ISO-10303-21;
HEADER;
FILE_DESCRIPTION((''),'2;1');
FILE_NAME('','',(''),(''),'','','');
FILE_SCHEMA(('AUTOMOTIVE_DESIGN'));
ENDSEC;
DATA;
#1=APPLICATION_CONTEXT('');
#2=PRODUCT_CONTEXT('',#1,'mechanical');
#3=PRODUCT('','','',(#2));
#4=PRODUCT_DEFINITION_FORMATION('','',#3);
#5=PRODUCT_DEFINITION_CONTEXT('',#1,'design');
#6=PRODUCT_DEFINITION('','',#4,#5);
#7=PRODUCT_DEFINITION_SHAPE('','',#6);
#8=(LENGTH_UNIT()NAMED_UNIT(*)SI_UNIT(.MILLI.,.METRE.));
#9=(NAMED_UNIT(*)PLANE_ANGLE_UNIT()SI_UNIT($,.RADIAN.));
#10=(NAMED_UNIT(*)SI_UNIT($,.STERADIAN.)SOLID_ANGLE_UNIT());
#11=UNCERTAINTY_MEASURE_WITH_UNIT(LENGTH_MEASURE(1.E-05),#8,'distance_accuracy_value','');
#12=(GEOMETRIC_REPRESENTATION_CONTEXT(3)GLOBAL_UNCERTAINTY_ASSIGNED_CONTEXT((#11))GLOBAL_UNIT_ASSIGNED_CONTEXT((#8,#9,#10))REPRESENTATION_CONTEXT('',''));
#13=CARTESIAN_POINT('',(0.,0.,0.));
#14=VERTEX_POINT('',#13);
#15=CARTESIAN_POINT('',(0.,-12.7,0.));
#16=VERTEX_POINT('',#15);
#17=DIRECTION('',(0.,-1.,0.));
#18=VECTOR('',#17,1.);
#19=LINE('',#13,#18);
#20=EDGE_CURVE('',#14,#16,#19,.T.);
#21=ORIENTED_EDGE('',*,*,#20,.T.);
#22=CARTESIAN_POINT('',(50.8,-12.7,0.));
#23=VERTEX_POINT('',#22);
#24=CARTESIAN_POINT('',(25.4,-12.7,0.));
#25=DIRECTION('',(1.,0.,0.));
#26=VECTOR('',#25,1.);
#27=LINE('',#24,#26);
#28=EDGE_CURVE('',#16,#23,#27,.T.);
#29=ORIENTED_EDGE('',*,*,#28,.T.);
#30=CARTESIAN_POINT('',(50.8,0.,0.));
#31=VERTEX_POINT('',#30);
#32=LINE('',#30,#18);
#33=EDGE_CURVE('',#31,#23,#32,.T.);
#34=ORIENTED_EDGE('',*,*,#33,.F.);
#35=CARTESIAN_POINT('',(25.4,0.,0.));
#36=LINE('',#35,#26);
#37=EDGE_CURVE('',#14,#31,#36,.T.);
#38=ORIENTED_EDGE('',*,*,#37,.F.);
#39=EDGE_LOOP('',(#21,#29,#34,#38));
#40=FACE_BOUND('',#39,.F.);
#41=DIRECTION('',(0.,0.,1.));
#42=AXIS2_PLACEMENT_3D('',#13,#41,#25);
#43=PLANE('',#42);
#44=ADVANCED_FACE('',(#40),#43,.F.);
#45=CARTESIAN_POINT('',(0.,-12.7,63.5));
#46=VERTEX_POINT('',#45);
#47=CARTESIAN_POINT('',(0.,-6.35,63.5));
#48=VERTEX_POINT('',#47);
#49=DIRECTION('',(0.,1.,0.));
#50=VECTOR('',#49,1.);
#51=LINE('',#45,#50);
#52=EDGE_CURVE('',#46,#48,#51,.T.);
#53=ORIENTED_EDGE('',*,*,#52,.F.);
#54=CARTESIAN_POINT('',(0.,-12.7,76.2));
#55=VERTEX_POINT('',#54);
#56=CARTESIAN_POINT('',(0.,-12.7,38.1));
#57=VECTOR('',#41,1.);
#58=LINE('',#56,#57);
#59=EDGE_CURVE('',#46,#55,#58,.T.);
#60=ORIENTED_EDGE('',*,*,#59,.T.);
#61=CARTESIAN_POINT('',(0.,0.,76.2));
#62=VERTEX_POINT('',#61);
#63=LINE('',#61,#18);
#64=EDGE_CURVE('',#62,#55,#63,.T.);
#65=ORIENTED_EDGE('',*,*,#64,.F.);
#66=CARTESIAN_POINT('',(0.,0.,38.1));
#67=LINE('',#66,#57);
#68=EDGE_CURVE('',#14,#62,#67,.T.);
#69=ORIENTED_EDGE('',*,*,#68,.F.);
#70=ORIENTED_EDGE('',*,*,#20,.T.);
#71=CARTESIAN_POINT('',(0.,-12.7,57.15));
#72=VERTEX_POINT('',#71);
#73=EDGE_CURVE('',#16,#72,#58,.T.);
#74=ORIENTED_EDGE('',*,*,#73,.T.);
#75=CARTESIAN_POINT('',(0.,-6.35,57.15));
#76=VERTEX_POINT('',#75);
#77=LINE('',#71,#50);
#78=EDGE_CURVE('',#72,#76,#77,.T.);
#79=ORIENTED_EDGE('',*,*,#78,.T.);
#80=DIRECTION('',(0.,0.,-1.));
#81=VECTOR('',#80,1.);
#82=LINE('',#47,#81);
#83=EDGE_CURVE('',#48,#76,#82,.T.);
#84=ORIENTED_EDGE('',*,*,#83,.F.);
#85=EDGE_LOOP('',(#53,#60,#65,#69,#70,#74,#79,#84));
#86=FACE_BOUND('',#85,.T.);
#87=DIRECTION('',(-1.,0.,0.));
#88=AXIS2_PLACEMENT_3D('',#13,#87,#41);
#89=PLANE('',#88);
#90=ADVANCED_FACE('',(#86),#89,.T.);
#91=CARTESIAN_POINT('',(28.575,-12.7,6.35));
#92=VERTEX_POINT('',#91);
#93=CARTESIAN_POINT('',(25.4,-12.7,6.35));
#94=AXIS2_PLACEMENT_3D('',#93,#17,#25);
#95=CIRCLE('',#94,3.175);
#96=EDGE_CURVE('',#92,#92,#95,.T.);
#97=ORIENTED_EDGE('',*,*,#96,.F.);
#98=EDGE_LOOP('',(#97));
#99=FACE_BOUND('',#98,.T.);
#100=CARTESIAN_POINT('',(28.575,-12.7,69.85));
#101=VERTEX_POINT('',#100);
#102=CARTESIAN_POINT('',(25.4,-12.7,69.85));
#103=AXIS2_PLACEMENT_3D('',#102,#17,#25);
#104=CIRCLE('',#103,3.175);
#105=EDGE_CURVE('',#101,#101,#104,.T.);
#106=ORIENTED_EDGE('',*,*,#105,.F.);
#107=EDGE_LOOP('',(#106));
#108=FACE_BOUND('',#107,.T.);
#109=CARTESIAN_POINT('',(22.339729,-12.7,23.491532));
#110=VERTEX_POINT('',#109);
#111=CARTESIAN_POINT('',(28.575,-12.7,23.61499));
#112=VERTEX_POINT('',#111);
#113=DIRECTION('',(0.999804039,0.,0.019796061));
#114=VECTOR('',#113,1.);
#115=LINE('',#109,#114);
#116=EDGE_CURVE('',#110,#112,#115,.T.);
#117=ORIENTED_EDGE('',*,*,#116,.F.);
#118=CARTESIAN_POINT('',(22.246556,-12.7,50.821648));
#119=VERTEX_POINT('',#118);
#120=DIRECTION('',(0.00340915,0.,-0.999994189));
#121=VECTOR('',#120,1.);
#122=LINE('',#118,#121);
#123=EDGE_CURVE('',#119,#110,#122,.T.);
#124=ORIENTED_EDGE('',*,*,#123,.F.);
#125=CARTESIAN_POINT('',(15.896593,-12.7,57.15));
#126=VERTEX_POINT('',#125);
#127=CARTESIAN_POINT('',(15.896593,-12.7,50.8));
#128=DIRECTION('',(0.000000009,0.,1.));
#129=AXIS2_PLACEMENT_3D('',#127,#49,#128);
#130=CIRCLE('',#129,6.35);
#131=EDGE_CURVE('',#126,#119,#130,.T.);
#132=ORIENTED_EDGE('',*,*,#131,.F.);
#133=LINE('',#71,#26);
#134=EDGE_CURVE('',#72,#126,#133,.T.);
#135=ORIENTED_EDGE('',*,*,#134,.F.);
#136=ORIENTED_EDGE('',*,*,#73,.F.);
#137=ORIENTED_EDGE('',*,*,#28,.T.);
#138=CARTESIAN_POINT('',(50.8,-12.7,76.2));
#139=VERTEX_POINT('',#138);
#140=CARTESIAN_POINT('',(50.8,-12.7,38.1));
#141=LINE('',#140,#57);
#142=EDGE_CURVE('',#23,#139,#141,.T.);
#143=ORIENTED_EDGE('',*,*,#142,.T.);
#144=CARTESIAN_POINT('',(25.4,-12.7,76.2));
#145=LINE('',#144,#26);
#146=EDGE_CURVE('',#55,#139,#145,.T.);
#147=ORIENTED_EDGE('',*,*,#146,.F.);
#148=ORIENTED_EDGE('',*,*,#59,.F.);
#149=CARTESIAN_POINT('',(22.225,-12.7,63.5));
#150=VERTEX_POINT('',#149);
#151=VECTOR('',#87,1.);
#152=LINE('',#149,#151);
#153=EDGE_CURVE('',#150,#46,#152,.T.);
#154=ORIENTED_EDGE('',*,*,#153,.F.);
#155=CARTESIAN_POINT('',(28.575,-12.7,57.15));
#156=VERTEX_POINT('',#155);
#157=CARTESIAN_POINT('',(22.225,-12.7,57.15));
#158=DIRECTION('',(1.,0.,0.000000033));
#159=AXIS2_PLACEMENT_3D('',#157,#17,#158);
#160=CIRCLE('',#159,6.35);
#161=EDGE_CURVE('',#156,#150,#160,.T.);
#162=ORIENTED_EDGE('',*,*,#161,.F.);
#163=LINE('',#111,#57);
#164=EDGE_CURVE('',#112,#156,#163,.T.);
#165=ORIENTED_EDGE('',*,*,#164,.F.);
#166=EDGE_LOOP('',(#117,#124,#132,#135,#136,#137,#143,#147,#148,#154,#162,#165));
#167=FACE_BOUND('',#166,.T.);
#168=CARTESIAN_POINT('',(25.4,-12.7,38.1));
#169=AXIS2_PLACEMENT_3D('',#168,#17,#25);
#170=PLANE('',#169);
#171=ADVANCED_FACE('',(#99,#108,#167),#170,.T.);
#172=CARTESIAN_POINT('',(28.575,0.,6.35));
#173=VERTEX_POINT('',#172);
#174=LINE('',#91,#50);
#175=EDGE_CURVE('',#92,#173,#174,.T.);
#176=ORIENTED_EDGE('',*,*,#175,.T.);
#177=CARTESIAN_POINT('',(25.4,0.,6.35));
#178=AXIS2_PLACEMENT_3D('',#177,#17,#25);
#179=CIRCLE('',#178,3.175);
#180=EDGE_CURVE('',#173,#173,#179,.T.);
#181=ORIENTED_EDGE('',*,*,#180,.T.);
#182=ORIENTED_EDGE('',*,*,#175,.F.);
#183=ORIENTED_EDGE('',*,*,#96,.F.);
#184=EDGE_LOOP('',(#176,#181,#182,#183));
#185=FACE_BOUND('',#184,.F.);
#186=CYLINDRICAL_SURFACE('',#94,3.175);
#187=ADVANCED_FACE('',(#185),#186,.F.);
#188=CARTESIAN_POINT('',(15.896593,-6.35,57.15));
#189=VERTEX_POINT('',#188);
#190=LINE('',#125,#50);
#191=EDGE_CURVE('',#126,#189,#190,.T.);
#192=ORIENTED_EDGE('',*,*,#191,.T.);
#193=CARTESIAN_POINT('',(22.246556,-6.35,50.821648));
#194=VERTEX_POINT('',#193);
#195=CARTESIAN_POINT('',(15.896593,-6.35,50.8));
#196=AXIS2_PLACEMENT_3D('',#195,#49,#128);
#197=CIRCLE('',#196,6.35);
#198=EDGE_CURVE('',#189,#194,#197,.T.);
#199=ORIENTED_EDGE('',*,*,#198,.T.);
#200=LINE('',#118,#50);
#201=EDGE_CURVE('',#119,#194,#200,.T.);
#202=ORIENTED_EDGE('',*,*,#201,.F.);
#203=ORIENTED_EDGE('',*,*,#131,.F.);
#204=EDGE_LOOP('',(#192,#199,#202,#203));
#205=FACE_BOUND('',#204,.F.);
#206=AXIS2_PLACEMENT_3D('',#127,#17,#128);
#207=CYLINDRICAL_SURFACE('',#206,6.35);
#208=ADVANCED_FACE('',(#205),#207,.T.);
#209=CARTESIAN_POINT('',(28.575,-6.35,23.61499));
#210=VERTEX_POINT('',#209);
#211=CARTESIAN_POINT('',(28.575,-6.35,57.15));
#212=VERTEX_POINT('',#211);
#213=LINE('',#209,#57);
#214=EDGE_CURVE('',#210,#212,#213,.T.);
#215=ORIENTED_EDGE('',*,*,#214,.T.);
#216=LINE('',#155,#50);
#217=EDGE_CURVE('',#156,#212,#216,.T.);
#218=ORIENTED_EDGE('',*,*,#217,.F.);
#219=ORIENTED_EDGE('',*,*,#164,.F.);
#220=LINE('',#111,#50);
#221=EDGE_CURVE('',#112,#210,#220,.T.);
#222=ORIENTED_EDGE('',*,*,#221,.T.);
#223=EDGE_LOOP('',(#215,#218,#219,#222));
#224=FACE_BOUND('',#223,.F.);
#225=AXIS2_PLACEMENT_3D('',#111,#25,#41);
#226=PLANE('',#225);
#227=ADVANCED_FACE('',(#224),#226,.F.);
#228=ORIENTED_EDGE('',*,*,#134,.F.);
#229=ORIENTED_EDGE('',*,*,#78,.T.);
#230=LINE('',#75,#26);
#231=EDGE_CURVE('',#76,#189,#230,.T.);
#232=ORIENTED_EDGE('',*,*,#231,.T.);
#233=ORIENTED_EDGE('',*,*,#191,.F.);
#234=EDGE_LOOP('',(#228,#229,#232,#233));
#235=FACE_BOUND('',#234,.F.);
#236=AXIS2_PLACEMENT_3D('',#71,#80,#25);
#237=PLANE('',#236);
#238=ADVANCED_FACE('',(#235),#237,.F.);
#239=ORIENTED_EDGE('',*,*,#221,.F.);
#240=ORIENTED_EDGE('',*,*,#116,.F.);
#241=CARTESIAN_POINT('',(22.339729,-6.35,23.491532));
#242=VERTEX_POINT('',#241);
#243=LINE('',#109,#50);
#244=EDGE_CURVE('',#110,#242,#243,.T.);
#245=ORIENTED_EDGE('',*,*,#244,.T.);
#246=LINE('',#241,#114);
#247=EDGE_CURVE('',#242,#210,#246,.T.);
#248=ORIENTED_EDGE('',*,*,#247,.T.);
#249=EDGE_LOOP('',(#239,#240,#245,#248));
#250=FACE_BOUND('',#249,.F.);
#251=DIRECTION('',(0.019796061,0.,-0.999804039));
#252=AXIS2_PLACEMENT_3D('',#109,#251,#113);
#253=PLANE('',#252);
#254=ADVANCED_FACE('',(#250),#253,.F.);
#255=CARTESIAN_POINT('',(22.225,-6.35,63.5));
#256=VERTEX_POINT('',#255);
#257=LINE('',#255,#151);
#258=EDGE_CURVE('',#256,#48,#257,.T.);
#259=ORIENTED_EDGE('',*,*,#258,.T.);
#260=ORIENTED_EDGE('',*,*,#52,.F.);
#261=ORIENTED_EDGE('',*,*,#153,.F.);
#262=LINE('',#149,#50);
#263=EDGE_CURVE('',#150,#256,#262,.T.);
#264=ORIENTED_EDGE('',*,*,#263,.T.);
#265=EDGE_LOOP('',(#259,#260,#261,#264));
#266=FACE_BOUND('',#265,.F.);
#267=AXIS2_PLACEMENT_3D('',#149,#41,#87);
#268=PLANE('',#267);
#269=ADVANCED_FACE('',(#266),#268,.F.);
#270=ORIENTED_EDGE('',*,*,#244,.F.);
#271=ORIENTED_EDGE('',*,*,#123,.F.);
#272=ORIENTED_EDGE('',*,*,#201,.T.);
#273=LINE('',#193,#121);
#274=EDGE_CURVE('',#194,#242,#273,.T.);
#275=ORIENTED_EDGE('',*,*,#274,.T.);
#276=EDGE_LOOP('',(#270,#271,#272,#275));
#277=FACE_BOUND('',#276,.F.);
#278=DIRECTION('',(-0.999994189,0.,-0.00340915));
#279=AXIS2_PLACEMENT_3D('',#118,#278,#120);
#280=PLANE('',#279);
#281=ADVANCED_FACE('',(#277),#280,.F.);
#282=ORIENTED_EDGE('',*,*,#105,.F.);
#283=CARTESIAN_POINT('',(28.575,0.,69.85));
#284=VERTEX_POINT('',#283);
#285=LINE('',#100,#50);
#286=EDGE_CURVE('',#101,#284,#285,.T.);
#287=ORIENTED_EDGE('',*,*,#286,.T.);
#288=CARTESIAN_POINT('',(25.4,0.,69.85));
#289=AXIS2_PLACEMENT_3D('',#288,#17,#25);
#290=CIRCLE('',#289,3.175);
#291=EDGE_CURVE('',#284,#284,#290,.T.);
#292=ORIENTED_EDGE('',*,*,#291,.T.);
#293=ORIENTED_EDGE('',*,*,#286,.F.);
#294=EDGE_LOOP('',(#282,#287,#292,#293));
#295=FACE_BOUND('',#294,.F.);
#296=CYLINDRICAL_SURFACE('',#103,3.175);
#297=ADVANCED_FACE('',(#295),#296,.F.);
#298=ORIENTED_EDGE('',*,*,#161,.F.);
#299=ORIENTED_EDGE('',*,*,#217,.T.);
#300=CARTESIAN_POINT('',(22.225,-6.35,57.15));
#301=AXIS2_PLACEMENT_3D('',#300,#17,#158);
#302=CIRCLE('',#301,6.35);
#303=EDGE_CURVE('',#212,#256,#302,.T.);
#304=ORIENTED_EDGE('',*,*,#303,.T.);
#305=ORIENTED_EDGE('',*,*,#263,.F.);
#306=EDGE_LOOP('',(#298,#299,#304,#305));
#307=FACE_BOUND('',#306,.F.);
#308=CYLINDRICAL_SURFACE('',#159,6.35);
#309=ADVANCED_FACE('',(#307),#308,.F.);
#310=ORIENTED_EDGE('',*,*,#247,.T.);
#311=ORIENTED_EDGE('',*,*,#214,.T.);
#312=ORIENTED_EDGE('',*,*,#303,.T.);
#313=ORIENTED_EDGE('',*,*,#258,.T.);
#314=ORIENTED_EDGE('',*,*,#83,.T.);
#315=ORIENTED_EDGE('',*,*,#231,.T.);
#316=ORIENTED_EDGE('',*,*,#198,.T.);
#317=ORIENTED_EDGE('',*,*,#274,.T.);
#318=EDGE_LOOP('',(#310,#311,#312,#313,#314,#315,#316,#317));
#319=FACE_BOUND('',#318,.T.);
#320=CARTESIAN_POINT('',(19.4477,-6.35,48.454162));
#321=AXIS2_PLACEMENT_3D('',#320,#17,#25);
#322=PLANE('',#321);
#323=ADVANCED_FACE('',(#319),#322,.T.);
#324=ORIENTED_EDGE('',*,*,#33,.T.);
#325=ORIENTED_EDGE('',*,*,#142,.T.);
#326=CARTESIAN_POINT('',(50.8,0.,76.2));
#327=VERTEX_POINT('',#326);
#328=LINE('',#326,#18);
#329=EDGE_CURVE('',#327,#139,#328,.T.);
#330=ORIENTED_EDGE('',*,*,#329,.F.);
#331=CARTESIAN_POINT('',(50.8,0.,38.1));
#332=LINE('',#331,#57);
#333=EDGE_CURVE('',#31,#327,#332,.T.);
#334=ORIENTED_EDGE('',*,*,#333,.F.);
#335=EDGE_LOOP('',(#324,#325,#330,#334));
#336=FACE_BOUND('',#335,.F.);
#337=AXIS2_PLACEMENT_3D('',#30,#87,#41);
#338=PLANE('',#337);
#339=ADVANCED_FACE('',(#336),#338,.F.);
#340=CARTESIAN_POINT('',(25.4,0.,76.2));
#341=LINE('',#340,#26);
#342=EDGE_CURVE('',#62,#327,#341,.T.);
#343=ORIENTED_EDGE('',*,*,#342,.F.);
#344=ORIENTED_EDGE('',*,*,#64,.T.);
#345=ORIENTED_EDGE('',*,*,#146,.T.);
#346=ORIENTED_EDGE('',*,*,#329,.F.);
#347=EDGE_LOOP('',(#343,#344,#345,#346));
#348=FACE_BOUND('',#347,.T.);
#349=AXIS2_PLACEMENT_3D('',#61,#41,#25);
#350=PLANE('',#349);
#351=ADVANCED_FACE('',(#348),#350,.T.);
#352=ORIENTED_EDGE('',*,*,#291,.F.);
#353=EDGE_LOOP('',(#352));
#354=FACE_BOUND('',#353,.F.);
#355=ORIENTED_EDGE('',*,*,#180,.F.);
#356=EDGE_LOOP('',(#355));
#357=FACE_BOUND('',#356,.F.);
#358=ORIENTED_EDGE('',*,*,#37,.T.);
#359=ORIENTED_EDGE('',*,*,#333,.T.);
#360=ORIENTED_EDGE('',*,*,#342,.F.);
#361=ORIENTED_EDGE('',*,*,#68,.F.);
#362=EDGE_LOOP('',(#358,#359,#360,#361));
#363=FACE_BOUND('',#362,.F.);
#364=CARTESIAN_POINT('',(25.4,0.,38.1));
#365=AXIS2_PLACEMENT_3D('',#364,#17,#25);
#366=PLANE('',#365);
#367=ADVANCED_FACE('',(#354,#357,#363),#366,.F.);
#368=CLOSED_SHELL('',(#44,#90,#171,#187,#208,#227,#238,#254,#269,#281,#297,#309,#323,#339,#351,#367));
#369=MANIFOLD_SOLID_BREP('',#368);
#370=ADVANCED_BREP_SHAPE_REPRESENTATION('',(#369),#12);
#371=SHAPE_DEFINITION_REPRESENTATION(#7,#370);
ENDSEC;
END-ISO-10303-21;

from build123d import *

# Parameters (mm, degrees)
F0_W     = 50.8
F0_H     = 76.2
F1_DEPTH = 12.7
F3_DEPTH = 6.35
F4_R     = 3.175
F5_DEPTH = 12.701


with BuildPart() as f1:
    # F0 (on Front) → F1 (new body)
    with BuildSketch(Plane.XZ):
        with Locations((25.4, 38.1)):
            Rectangle(F0_W, F0_H)
    extrude(amount=F1_DEPTH)

    # F2 (on face) → F3 (cut)
    with BuildSketch(Plane.XZ.offset(12.7)):
        with BuildLine():
            Line((22.225, 63.5), (0, 63.5))
            Line((0, 63.5), (0, 57.15))
            Line((0, 57.15), (15.896593, 57.15))
            ThreePointArc((15.896593, 57.15), (20.379061, 55.297775), (22.246556, 50.821648))
            Line((22.246556, 50.821648), (22.339729, 23.491532))
            Line((22.339729, 23.491532), (28.575, 23.61499))
            Line((28.575, 23.61499), (28.575, 57.15))
            ThreePointArc((28.575, 57.15), (26.715128, 61.640128), (22.225, 63.5))
        make_face()
    extrude(amount=-F3_DEPTH, mode=Mode.SUBTRACT)

    # F4 (on face) → F5 (cut, through all)
    with BuildSketch(Plane.XZ.offset(12.7)):
        with Locations((25.4, 69.85)):
            Circle(F4_R)
        with Locations((25.4, 6.35)):
            Circle(F4_R)
    extrude(amount=-F5_DEPTH, mode=Mode.SUBTRACT)


solid = f1.part
